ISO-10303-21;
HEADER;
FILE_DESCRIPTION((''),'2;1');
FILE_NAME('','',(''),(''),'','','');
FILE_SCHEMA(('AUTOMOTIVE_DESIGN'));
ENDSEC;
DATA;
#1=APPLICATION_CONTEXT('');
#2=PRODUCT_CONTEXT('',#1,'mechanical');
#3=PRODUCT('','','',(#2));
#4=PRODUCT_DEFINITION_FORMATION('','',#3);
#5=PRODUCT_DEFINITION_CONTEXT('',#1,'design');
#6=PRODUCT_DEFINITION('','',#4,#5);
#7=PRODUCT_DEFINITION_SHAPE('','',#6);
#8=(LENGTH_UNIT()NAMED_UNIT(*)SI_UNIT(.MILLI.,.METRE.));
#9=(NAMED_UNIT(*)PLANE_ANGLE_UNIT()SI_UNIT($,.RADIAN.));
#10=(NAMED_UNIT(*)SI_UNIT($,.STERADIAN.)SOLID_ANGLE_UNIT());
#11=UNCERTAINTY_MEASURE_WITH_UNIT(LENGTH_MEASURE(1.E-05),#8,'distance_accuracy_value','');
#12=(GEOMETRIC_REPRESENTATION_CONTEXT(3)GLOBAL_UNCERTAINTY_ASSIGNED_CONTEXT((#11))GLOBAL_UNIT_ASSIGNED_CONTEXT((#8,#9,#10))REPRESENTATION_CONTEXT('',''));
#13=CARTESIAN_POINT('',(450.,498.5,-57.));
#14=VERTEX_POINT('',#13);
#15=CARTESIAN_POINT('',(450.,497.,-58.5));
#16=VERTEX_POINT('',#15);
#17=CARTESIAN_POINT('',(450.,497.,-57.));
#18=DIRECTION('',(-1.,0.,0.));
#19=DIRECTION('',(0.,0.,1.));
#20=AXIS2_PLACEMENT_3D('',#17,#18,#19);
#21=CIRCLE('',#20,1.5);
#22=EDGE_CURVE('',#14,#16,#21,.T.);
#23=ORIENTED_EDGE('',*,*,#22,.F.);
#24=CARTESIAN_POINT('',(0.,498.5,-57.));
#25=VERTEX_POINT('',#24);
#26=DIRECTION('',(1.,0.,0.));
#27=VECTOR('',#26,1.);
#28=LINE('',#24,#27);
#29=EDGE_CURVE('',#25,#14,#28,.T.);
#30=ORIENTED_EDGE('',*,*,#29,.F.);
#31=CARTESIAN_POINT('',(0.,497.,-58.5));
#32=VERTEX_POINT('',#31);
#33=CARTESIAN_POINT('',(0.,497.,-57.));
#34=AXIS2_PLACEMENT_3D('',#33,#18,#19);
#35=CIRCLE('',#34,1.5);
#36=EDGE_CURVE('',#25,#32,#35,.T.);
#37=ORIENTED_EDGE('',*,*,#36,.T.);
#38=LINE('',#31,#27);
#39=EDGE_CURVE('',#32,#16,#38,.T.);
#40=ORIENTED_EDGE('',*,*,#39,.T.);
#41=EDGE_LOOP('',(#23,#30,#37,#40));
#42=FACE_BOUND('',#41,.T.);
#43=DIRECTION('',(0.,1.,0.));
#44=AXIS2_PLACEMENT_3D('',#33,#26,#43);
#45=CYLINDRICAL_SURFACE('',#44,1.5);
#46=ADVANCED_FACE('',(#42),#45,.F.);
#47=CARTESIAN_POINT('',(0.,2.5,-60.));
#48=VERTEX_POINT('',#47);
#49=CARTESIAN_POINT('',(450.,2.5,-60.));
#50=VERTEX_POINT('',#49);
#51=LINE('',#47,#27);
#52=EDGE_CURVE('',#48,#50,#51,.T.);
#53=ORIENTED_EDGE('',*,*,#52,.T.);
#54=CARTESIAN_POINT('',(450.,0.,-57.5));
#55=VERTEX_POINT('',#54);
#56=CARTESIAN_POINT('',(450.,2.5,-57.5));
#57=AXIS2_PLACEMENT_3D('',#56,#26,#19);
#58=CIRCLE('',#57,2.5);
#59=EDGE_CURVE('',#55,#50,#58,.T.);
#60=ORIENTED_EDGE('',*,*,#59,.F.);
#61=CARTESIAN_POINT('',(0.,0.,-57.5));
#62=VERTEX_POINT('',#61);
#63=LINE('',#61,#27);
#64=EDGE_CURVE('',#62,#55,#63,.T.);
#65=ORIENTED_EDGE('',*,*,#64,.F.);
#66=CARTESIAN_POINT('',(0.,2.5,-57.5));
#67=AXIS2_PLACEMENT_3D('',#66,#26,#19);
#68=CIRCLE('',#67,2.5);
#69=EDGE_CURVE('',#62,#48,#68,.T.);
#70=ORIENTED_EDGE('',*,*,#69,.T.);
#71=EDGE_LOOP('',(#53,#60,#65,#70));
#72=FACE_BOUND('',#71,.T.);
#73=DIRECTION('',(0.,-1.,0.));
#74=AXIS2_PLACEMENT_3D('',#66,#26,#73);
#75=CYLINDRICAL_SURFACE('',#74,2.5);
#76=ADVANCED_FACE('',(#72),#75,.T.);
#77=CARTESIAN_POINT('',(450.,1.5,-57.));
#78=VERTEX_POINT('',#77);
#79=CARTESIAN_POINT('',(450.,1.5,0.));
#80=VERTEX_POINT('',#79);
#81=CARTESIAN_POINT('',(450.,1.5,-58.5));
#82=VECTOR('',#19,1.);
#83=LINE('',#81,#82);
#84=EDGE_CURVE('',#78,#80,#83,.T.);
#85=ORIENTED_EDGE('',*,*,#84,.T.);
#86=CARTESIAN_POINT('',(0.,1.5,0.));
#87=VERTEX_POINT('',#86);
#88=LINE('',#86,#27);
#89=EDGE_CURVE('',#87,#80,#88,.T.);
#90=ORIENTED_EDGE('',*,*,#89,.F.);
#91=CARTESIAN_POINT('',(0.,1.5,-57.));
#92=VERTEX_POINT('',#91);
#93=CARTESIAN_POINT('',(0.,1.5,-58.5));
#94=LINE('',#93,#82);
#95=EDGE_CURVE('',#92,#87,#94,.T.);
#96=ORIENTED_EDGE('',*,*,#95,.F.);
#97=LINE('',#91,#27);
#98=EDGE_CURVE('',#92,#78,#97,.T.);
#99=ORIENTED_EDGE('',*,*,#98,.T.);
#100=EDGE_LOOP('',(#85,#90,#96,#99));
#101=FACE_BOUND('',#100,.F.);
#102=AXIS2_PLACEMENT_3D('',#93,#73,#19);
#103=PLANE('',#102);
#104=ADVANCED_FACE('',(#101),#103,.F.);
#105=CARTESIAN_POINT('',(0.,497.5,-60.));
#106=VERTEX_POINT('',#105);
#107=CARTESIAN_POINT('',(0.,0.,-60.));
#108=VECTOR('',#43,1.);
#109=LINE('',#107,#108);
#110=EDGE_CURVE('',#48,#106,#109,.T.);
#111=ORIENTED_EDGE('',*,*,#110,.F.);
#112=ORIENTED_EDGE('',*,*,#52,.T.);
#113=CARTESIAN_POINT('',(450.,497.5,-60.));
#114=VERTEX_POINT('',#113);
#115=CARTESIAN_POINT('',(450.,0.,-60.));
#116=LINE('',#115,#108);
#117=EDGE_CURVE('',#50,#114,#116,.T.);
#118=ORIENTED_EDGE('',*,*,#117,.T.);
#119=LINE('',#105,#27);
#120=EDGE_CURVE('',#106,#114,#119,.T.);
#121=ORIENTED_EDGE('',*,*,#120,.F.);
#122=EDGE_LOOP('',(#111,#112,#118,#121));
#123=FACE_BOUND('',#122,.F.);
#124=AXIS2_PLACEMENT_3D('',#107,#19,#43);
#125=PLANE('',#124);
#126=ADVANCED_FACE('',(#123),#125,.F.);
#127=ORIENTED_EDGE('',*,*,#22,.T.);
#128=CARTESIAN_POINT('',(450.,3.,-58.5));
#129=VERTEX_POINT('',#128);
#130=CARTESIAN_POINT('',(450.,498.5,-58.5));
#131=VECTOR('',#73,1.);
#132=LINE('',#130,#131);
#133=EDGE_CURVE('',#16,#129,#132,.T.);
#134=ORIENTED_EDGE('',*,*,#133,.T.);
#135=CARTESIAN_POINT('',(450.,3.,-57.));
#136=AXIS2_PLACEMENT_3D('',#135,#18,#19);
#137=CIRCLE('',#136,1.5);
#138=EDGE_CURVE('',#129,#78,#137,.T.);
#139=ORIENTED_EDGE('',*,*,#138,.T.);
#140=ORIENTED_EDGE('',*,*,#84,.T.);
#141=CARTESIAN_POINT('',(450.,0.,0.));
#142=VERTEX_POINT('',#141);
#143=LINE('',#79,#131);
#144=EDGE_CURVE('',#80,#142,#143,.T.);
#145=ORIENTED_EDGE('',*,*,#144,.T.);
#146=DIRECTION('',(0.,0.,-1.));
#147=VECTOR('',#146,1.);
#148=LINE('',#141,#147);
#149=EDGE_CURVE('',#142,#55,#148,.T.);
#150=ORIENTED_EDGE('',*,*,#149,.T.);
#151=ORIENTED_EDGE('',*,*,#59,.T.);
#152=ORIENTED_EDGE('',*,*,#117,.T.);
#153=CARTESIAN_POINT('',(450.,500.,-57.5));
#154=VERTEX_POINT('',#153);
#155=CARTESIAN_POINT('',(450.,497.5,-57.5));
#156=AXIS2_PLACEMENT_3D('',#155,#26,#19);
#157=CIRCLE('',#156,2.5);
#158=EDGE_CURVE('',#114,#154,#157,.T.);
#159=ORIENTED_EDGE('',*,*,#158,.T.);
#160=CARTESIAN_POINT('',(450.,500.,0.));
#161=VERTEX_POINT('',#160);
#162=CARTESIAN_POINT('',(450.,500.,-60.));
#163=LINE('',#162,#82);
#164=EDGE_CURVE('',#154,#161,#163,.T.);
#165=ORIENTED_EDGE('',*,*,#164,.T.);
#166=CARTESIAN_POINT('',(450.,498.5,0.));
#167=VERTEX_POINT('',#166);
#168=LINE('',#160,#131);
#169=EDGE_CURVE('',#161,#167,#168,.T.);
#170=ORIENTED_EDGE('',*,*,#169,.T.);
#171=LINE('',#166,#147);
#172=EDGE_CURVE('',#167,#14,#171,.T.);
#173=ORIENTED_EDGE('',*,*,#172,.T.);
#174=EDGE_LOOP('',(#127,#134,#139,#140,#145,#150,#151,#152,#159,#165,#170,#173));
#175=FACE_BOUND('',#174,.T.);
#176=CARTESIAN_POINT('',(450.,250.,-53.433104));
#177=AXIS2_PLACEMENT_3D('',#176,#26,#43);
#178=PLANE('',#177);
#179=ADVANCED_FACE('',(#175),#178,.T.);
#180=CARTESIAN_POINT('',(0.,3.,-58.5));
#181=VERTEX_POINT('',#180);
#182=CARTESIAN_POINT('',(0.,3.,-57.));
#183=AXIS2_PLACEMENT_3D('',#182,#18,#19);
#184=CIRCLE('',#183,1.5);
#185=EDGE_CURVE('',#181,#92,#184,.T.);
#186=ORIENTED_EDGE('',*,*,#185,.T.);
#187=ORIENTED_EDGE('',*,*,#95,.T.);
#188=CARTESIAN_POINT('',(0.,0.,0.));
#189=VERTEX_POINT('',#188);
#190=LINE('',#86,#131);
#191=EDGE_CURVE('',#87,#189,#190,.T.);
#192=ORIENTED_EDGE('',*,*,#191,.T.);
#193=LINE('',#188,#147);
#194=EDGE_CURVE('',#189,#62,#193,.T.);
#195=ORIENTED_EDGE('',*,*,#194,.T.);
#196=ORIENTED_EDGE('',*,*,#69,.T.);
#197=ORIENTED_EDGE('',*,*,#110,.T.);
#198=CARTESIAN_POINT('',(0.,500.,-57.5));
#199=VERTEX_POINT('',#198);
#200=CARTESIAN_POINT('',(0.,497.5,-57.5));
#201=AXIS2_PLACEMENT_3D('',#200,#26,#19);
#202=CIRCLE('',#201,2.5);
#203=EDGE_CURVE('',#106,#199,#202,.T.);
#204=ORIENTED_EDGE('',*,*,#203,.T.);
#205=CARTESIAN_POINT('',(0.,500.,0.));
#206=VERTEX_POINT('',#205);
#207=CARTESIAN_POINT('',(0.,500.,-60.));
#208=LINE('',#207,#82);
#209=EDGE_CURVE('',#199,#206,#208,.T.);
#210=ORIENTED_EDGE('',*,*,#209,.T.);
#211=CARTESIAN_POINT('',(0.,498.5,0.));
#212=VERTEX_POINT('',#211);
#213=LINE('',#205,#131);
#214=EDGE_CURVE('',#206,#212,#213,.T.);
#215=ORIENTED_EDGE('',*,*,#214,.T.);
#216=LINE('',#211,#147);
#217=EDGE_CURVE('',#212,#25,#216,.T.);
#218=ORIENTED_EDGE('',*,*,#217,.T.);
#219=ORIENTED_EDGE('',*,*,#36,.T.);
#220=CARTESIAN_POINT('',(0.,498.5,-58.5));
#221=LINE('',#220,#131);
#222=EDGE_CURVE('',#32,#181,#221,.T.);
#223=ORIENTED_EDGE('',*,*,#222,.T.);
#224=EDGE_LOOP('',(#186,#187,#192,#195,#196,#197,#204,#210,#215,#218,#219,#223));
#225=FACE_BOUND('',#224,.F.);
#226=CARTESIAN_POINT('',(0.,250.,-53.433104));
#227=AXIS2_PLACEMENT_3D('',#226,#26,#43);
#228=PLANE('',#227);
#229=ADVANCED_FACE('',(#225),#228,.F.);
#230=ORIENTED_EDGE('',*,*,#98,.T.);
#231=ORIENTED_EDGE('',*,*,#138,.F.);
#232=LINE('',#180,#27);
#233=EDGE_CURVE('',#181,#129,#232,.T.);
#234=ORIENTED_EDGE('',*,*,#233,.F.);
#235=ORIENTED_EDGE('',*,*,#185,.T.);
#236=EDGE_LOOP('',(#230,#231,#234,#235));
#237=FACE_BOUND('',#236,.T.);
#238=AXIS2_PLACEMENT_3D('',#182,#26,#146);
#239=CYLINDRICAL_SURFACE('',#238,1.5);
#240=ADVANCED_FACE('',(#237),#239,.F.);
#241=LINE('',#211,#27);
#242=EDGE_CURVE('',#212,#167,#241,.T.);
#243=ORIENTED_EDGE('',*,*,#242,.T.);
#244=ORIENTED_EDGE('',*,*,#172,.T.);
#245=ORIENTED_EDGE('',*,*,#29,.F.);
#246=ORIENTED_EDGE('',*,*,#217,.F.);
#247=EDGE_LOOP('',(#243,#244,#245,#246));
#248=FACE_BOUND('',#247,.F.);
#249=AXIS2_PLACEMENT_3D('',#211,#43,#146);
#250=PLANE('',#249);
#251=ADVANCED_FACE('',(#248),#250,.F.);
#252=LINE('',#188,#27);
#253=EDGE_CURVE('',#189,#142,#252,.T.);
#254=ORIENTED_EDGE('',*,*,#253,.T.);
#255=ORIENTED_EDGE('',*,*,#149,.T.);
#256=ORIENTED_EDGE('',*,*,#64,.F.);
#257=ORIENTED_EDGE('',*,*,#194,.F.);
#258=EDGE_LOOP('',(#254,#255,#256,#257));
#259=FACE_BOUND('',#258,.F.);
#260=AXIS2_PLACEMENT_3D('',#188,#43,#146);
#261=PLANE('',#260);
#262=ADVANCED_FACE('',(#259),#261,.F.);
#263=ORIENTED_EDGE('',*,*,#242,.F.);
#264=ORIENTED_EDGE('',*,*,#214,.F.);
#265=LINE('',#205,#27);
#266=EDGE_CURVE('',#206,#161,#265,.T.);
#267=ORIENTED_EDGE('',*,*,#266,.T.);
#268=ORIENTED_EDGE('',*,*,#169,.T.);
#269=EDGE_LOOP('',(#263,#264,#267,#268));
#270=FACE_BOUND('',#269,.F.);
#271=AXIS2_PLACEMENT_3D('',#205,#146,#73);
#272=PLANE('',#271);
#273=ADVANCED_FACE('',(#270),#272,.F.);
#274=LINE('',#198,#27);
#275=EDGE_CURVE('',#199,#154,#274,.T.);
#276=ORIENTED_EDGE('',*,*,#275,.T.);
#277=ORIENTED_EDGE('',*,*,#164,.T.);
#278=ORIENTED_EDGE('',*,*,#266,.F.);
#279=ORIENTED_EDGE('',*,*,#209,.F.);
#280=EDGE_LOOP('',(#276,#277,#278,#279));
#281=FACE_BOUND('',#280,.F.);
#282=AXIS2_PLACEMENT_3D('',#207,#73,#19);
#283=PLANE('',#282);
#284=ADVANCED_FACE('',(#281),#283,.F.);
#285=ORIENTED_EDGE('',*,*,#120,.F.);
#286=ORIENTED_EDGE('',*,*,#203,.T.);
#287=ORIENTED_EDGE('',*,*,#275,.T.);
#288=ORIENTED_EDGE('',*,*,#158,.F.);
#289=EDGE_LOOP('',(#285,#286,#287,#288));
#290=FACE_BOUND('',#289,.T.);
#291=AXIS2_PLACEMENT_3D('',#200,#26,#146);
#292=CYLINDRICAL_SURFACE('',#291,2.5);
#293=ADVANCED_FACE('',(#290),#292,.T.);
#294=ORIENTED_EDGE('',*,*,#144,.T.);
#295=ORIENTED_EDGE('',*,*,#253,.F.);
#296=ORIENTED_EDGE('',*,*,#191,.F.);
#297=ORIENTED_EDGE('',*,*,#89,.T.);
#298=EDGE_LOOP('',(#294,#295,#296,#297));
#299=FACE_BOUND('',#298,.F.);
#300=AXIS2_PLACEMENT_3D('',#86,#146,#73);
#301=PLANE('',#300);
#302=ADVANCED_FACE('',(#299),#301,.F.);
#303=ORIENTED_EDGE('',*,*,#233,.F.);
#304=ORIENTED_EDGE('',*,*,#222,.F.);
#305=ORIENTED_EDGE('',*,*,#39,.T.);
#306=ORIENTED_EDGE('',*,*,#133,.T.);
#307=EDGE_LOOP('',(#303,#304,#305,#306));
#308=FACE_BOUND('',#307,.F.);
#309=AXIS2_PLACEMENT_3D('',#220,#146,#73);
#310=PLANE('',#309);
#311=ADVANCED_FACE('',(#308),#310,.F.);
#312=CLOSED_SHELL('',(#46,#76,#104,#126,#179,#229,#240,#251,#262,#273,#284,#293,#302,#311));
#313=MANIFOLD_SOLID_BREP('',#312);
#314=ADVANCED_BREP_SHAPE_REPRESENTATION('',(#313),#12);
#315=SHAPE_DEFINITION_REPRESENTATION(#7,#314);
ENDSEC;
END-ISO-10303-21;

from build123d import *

# Parameters (mm, degrees)
F6_DEPTH = 450
F1_R     = 2.5
F2_R     = 1.5
F3_R     = 1.5
F7_R     = 2.5


with BuildPart() as f6:
    # F0 (on Right) → F6 (new body)
    with BuildSketch(Plane.YZ):
        Polygon((1.5, 0), (0, 0), (0, -60), (500, -60), (500, 0), (498.5, 0), (498.5, -58.5), (1.5, -58.5), align=None)
    extrude(amount=F6_DEPTH)

    # F1
    f1_edges = [f6.edges().sort_by_distance(p)[0] for p in [
        (225, 500, -60),
    ]]
    fillet(f1_edges, radius=F1_R)

    # F2
    f2_edges = [f6.edges().sort_by_distance(p)[0] for p in [
        (225, 498.5, -58.5),
    ]]
    fillet(f2_edges, radius=F2_R)

    # F3
    f3_edges = [f6.edges().sort_by_distance(p)[0] for p in [
        (225, 1.5, -58.5),
    ]]
    fillet(f3_edges, radius=F3_R)

    # F7
    f7_edges = [f6.edges().sort_by_distance(p)[0] for p in [
        (225, 0, -60),
    ]]
    fillet(f7_edges, radius=F7_R)


solid = f6.part
